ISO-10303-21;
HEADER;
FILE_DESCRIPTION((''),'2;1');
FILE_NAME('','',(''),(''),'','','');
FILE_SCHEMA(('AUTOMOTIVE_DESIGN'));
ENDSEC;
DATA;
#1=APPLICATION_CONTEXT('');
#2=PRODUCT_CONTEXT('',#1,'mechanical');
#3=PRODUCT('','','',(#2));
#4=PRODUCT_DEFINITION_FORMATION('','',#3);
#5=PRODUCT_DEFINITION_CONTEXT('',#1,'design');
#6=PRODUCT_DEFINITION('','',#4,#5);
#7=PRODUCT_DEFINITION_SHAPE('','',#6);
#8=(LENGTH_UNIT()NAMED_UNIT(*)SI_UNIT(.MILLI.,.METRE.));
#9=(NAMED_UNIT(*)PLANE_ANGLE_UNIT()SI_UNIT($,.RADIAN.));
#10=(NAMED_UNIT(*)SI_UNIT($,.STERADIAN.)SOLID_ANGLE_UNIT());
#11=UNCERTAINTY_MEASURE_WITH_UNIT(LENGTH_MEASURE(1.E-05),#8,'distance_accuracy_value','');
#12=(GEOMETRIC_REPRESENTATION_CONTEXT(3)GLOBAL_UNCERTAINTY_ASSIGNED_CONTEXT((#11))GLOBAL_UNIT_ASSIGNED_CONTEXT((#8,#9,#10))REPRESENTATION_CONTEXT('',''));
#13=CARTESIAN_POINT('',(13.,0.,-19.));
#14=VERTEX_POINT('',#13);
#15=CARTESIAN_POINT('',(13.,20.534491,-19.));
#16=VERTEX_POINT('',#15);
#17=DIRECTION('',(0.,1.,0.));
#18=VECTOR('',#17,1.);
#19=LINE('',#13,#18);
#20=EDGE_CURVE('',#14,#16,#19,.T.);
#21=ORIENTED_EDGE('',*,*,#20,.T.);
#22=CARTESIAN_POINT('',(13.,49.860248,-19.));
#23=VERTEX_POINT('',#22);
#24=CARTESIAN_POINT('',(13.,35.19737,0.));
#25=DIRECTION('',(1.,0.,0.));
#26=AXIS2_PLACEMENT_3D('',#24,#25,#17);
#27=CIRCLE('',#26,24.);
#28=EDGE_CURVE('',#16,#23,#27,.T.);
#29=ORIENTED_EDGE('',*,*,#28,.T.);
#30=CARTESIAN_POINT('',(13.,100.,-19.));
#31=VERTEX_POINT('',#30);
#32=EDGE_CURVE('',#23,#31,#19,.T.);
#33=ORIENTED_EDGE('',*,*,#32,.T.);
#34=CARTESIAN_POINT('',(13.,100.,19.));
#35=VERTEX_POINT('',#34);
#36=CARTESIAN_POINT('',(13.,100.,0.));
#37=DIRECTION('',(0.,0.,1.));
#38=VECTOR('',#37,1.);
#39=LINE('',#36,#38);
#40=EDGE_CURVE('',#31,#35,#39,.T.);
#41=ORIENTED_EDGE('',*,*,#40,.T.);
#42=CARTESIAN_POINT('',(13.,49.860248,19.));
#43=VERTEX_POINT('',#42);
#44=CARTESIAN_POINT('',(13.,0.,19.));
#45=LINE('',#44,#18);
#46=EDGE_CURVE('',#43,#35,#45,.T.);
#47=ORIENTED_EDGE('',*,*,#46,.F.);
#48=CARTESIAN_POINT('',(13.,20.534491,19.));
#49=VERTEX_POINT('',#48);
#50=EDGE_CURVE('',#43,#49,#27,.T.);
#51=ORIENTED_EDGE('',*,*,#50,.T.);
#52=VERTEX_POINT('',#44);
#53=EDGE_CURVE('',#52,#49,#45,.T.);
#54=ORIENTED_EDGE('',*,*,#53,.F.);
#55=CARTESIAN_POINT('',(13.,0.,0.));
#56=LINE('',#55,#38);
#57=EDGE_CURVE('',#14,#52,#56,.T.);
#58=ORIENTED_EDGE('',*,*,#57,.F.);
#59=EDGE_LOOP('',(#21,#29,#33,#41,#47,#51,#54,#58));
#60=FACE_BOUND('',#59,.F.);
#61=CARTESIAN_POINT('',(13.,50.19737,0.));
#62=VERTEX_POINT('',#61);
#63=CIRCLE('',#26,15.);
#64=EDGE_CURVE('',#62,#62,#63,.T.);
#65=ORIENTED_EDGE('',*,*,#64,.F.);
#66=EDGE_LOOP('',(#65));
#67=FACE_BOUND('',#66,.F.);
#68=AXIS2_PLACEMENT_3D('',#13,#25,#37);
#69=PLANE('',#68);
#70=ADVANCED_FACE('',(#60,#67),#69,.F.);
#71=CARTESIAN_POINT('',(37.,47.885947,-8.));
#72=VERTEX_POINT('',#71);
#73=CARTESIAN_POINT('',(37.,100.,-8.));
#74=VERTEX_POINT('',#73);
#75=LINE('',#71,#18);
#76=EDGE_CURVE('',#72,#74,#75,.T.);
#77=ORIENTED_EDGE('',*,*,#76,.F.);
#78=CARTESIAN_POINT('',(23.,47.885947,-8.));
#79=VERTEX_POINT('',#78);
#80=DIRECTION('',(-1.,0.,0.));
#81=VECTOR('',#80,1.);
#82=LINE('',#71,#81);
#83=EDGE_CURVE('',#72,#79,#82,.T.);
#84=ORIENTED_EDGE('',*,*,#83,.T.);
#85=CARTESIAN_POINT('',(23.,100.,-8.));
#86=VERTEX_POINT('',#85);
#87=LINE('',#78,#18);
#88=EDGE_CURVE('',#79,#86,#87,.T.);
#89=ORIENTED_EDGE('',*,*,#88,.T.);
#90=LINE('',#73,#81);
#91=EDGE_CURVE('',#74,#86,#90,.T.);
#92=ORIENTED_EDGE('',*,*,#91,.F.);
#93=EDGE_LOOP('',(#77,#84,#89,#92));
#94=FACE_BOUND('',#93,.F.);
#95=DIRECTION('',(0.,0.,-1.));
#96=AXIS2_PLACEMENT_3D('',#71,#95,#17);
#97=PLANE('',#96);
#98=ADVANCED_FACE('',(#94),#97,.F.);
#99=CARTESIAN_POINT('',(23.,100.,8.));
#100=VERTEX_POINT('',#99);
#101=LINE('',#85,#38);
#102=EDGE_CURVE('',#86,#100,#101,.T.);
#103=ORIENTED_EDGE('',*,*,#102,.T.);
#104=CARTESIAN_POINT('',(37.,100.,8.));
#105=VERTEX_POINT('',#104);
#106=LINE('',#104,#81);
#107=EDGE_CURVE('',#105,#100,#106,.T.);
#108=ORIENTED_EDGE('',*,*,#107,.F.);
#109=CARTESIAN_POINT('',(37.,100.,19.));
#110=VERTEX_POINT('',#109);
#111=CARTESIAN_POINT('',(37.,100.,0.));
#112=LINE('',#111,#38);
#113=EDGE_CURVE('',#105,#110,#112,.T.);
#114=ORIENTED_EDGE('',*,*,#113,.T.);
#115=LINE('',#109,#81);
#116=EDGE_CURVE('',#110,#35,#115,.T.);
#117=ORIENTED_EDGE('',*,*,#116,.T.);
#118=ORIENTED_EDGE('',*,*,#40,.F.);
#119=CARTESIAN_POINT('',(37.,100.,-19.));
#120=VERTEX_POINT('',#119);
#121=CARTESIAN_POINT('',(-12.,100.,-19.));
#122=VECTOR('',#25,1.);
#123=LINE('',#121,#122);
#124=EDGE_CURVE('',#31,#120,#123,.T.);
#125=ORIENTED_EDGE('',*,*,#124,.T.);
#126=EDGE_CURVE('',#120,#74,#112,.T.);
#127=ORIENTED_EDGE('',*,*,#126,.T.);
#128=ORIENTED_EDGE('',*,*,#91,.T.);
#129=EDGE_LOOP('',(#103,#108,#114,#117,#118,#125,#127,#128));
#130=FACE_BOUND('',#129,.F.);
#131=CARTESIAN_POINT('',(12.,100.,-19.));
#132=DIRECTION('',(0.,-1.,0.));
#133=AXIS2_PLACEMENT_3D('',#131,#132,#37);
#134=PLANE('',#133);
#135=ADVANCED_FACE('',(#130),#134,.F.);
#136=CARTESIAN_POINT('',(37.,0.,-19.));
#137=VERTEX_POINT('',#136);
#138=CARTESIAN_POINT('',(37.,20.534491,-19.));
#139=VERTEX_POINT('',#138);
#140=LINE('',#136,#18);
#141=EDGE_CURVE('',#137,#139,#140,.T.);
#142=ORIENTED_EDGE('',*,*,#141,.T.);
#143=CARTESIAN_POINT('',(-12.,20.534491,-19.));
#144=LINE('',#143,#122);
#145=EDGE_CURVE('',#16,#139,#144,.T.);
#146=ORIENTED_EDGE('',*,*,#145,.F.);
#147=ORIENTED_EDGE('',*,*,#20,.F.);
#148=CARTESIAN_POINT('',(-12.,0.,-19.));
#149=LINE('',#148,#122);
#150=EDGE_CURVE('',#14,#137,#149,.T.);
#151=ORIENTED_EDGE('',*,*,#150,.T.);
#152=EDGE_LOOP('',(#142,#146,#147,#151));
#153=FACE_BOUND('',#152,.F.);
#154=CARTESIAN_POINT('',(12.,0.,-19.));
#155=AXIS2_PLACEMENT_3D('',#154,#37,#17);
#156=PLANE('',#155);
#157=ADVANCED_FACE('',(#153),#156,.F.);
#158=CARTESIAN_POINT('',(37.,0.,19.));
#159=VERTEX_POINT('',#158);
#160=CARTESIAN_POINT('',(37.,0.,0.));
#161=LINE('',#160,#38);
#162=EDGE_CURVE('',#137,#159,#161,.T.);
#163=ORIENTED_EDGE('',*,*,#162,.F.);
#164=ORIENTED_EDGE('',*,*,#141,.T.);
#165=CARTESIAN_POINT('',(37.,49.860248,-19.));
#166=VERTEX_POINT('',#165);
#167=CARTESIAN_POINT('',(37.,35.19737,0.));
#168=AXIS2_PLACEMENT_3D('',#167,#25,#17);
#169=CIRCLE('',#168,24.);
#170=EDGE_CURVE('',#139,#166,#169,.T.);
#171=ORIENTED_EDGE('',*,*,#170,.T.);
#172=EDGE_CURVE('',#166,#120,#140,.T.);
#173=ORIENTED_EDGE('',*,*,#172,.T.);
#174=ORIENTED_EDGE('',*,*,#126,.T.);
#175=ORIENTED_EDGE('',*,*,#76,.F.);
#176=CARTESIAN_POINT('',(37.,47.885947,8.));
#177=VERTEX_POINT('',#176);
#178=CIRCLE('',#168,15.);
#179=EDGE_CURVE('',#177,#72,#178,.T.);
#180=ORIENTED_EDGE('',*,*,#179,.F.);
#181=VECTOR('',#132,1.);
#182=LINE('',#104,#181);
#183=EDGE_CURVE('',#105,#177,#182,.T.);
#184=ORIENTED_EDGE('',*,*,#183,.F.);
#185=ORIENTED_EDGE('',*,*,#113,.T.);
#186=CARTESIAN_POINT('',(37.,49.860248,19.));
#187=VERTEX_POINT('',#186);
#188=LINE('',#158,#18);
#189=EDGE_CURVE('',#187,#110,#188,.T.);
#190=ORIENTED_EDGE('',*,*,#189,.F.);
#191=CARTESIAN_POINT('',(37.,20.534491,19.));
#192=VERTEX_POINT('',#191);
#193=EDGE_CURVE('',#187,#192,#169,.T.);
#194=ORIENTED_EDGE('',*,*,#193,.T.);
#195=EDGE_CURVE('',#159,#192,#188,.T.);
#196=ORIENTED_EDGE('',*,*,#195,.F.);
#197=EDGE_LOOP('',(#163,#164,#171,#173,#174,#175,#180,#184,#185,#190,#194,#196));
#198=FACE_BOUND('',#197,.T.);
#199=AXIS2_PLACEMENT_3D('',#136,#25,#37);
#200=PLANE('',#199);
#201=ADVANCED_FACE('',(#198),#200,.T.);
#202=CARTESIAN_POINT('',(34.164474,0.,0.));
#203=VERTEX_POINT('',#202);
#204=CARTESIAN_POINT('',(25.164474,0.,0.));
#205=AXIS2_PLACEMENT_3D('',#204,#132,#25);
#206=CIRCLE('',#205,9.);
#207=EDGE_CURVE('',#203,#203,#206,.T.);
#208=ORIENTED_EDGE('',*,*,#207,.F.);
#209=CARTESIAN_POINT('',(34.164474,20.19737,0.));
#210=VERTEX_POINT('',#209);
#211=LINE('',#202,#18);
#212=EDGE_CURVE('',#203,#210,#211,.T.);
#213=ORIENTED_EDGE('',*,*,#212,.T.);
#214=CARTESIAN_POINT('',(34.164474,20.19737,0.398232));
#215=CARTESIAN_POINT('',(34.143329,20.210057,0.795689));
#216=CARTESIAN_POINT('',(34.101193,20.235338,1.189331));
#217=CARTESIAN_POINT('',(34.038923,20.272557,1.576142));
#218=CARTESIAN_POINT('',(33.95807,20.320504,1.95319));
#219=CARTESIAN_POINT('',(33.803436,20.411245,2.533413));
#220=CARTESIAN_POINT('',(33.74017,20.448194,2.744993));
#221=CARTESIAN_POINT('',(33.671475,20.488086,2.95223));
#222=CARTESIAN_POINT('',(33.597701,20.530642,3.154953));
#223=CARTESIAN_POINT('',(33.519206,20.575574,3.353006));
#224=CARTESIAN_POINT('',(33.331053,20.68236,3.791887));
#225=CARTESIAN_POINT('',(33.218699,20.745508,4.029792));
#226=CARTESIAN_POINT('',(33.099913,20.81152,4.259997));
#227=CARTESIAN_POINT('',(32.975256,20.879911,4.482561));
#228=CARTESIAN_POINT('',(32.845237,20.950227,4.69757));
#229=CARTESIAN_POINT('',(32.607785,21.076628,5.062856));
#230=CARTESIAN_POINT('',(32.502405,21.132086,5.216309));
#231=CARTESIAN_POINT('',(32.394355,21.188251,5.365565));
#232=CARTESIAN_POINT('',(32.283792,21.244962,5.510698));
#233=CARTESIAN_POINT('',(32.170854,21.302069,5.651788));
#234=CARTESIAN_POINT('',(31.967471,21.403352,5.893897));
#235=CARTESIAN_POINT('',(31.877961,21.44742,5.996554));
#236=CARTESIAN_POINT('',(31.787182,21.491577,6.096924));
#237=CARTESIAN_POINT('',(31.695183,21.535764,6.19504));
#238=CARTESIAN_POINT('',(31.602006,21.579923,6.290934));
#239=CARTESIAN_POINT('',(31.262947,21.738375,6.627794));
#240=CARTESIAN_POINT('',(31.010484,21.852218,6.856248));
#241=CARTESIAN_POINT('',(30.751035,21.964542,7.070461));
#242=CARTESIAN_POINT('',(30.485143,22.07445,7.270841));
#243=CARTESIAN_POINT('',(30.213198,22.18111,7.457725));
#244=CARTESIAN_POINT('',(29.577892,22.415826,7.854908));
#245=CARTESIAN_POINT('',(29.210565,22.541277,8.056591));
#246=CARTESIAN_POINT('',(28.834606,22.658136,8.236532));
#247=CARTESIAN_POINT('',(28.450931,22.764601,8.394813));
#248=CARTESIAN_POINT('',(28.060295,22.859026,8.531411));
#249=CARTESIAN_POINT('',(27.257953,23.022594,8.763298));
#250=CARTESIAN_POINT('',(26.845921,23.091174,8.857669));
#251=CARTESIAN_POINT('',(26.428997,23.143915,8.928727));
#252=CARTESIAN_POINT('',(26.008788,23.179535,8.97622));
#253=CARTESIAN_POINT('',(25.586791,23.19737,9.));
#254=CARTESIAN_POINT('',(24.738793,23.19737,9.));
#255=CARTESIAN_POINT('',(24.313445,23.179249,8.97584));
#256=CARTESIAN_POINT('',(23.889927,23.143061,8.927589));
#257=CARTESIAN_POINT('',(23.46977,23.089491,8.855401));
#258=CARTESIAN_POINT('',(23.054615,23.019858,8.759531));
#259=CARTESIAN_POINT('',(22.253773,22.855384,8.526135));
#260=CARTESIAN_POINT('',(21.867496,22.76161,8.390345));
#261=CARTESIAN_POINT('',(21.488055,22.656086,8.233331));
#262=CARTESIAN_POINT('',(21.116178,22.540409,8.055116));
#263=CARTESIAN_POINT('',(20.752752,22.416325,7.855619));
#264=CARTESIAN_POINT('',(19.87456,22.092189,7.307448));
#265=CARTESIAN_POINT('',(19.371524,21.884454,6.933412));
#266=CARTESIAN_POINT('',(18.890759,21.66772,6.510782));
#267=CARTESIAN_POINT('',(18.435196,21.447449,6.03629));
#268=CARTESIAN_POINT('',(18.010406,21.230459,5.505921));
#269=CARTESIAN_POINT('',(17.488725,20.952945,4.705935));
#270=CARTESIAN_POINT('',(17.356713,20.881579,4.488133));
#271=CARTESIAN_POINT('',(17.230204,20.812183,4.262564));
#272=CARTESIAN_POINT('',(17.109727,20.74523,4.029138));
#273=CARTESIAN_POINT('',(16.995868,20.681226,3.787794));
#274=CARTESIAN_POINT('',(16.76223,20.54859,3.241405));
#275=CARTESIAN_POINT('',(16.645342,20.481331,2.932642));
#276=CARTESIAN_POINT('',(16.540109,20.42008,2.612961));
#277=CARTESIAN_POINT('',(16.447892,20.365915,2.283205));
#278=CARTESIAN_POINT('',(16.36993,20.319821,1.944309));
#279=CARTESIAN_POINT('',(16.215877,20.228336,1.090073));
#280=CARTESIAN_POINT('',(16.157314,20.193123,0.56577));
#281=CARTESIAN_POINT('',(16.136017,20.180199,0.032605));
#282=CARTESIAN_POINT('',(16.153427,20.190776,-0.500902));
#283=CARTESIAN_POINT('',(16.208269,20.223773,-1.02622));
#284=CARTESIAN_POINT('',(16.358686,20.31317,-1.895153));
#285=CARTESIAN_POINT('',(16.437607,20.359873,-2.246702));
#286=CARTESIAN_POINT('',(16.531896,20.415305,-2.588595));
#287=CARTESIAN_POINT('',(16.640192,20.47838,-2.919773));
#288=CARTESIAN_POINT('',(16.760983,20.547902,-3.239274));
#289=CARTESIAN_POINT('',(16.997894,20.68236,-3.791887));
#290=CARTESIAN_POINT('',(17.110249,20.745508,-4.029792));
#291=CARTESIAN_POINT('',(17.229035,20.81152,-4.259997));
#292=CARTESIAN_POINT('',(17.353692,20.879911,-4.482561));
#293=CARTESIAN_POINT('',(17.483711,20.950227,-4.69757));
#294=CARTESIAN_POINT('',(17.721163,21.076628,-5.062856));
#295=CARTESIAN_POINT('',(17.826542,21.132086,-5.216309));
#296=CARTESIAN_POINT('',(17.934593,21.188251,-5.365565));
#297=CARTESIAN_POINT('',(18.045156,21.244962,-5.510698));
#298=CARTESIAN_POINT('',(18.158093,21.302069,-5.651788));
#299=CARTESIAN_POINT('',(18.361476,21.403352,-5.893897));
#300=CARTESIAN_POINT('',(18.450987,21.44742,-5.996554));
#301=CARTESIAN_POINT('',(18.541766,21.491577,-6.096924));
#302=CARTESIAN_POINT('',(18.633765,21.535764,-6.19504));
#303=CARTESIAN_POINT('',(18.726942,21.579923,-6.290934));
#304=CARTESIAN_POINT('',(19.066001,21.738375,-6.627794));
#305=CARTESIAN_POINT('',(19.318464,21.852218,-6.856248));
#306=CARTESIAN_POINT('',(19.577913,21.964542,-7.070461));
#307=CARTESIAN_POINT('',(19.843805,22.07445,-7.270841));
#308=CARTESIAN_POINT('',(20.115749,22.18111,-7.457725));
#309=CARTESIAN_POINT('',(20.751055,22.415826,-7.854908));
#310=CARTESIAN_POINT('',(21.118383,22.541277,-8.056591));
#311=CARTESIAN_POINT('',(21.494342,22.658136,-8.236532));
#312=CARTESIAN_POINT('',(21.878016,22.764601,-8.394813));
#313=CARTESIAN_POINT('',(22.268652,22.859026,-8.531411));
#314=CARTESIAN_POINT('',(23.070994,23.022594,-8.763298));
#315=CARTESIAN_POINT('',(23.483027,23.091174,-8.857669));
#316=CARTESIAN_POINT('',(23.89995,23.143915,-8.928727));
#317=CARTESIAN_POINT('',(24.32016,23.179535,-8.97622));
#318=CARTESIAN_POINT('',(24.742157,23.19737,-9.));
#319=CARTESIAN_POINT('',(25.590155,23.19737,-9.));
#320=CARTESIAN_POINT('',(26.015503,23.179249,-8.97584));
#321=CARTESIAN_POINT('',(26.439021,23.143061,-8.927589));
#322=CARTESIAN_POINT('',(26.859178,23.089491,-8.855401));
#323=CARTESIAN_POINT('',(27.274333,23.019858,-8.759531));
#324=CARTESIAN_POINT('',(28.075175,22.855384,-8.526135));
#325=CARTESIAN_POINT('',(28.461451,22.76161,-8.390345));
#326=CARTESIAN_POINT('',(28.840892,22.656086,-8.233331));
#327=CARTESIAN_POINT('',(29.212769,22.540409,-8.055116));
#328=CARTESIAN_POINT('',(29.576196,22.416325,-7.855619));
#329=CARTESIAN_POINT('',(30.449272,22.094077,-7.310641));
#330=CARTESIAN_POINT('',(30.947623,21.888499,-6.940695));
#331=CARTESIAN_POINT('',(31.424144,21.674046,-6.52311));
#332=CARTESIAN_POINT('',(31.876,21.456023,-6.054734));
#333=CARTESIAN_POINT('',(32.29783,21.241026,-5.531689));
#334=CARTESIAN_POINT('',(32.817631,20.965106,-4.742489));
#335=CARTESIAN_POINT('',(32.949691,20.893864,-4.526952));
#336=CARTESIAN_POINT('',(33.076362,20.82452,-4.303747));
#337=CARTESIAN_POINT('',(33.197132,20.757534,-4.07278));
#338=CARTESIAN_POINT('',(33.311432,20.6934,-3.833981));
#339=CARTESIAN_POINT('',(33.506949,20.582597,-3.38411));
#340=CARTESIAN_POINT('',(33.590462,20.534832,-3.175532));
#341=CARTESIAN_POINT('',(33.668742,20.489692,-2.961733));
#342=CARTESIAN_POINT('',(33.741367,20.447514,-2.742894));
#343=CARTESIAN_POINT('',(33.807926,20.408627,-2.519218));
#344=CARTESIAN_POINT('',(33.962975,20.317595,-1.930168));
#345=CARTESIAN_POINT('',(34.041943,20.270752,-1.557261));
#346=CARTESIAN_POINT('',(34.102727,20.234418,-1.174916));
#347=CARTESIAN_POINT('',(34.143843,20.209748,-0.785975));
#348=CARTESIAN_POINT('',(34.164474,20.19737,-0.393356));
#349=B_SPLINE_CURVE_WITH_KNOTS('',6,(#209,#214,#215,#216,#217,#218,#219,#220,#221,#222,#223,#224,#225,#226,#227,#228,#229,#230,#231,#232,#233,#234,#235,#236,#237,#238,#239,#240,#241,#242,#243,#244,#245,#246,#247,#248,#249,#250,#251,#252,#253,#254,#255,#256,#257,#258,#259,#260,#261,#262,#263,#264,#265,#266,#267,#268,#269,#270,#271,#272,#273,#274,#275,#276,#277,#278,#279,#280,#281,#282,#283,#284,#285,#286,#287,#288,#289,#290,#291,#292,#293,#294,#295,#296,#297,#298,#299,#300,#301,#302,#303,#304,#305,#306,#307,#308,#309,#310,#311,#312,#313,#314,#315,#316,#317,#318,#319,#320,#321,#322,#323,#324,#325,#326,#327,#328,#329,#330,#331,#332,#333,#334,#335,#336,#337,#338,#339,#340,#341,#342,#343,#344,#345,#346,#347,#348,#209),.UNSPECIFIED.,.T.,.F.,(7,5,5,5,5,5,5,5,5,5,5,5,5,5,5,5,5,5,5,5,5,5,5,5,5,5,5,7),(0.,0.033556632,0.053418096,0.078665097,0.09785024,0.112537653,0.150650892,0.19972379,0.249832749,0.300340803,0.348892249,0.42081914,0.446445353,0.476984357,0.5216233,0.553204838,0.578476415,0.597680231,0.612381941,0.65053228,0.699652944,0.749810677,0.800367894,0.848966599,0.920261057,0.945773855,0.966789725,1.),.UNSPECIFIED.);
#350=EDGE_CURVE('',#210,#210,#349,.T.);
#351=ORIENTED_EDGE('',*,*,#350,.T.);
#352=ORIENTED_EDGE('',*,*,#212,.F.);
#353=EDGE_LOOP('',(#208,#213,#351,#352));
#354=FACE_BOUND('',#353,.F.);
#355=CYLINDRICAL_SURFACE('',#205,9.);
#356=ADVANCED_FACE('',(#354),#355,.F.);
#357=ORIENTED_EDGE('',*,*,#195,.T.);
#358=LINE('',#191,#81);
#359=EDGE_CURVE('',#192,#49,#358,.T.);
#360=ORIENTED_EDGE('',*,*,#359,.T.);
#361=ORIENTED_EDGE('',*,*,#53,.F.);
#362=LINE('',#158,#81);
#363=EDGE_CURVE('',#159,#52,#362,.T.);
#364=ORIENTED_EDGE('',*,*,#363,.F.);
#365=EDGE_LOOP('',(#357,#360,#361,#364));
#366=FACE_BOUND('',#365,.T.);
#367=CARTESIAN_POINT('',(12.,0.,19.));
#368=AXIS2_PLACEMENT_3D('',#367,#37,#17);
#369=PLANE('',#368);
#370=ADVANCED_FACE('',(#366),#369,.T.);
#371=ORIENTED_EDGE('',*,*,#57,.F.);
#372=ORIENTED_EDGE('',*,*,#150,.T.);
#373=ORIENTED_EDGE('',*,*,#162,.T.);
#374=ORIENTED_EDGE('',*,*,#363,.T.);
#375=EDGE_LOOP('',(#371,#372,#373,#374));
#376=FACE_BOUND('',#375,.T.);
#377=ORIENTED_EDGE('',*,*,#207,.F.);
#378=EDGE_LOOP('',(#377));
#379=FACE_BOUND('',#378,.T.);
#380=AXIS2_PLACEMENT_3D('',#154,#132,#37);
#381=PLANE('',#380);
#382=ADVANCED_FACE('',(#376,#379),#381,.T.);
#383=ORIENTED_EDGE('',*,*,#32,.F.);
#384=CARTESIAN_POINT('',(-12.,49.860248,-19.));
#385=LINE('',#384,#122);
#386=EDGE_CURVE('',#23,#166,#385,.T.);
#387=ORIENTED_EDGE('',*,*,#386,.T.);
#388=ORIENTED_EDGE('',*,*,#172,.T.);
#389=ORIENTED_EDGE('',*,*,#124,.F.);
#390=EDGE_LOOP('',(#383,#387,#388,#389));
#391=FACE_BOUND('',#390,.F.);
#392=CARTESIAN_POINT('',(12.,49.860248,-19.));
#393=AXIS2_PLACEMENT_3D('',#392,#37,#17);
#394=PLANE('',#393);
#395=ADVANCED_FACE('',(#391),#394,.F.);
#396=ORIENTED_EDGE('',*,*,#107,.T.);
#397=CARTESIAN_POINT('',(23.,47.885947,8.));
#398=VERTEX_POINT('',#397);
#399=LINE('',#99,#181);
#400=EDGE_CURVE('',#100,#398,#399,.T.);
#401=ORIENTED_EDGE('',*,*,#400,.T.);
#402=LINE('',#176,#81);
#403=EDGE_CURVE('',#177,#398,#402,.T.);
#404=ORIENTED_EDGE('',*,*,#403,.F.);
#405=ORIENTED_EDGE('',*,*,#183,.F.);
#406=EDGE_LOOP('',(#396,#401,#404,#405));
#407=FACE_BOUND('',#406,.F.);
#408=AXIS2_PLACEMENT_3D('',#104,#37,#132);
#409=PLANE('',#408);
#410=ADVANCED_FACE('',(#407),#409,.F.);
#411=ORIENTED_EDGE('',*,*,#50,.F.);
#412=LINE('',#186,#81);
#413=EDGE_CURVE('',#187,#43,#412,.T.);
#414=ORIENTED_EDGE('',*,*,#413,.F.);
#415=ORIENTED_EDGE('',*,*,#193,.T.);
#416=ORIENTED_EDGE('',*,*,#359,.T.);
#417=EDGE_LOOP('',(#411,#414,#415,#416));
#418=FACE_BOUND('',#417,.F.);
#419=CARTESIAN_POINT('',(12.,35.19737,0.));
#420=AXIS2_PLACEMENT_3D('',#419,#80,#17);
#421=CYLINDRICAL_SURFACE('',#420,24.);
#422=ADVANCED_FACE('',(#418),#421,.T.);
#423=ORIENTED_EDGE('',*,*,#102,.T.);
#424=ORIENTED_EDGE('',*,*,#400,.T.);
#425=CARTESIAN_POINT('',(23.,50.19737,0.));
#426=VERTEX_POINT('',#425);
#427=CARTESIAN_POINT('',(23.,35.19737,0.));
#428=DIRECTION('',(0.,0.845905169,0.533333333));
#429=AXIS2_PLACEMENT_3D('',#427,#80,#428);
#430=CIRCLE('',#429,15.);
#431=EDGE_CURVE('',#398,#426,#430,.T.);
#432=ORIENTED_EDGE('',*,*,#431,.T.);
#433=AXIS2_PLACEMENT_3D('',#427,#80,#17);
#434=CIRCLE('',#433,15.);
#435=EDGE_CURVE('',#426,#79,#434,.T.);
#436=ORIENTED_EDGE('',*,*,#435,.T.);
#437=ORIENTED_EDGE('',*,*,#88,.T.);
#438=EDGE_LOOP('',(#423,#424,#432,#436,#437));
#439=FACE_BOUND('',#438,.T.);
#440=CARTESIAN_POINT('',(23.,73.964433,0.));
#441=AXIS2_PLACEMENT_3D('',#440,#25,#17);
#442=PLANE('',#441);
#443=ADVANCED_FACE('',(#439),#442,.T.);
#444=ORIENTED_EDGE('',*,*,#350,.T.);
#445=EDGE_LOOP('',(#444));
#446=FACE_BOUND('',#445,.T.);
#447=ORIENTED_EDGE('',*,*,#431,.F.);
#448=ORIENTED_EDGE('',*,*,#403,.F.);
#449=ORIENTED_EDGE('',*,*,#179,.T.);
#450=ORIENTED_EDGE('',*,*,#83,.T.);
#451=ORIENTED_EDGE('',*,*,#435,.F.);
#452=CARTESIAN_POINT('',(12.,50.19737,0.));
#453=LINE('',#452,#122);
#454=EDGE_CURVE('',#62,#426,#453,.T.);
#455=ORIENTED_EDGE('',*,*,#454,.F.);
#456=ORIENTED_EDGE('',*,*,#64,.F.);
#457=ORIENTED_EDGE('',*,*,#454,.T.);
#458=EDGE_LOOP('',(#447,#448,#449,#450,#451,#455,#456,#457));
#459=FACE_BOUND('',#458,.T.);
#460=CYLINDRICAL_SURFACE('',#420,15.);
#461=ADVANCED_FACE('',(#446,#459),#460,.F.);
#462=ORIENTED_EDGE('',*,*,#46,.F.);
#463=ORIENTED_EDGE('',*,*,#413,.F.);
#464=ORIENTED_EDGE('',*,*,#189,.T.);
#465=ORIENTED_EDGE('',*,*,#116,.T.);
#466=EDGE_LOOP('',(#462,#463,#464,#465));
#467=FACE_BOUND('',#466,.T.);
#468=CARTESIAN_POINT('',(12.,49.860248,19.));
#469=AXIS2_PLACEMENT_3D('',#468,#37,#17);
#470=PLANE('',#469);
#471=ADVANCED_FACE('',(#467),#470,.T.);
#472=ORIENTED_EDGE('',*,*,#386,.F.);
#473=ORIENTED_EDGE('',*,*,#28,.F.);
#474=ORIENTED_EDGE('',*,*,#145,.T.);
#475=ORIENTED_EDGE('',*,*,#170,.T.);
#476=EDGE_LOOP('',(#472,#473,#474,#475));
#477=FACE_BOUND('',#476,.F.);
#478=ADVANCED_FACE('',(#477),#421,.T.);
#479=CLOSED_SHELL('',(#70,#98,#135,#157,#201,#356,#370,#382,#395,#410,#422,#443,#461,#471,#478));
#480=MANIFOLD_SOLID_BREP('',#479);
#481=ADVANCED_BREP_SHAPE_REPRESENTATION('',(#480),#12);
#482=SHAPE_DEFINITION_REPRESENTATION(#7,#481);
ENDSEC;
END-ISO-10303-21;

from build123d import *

# Parameters (mm, degrees)
F0_W      = 24
F0_H      = 38
F1_DEPTH  = 100
F3_R      = 24
F4_DEPTH  = 24
F5_R      = 15
F6_DEPTH  = 25
F7_DEPTH  = 25
F9_DEPTH  = 14
F10_DEPTH = 25
F11_R     = 9
F12_DEPTH = 25


with BuildPart() as f1:
    # F0 (on Front) → F1 (new body)
    with BuildSketch(Plane.XZ):
        Rectangle(F0_W, F0_H)
    extrude(amount=-F1_DEPTH)

    # F3 (on face) → F4 (join)
    with BuildSketch(Plane.YZ.offset(12)):
        with Locations((35.1973697543, 0)):
            Circle(F3_R)
    extrude(amount=-F4_DEPTH)

    # F5 (on face) → F6 (cut)
    with BuildSketch(Plane.YZ.offset(12)):
        with Locations((35.1973697543, 0)):
            Circle(F5_R)
    extrude(amount=-F6_DEPTH, mode=Mode.SUBTRACT)

    # F7 (add): a face of the model
    f7_faces = [f1.faces().sort_by_distance(p)[0] for p in [
        (12, 52.2784311764, 0),
    ]]
    extrude(f7_faces, amount=F7_DEPTH)

    # F8 (on face) → F9 (cut)
    with BuildSketch(Plane.YZ.offset(37)):
        with BuildLine():
            Line((47.8859472948, -8), (100, -8))
            Line((100, -8), (100, 8))
            Line((100, 8), (47.8859472948, 8))
            ThreePointArc((47.8859472948, 8), (49.6079329478, 4.1636124275), (50.1973697543, 0))
            ThreePointArc((50.1973697543, 0), (49.6079329478, -4.1636124275), (47.8859472948, -8))
        make_face()
    extrude(amount=-F9_DEPTH, mode=Mode.SUBTRACT)

    # F10 (cut): a face of the model
    f10_faces = [f1.faces().sort_by_distance(p)[0] for p in [
        (-12, 52.2784311764, 0),
    ]]
    extrude(f10_faces, amount=-F10_DEPTH, mode=Mode.SUBTRACT)

    # F11 (on face) → F12 (cut)
    with BuildSketch(Plane.XZ):
        with Locations((25.1644738019, 0)):
            Circle(F11_R)
    extrude(amount=-F12_DEPTH, mode=Mode.SUBTRACT)


solid = f1.part
